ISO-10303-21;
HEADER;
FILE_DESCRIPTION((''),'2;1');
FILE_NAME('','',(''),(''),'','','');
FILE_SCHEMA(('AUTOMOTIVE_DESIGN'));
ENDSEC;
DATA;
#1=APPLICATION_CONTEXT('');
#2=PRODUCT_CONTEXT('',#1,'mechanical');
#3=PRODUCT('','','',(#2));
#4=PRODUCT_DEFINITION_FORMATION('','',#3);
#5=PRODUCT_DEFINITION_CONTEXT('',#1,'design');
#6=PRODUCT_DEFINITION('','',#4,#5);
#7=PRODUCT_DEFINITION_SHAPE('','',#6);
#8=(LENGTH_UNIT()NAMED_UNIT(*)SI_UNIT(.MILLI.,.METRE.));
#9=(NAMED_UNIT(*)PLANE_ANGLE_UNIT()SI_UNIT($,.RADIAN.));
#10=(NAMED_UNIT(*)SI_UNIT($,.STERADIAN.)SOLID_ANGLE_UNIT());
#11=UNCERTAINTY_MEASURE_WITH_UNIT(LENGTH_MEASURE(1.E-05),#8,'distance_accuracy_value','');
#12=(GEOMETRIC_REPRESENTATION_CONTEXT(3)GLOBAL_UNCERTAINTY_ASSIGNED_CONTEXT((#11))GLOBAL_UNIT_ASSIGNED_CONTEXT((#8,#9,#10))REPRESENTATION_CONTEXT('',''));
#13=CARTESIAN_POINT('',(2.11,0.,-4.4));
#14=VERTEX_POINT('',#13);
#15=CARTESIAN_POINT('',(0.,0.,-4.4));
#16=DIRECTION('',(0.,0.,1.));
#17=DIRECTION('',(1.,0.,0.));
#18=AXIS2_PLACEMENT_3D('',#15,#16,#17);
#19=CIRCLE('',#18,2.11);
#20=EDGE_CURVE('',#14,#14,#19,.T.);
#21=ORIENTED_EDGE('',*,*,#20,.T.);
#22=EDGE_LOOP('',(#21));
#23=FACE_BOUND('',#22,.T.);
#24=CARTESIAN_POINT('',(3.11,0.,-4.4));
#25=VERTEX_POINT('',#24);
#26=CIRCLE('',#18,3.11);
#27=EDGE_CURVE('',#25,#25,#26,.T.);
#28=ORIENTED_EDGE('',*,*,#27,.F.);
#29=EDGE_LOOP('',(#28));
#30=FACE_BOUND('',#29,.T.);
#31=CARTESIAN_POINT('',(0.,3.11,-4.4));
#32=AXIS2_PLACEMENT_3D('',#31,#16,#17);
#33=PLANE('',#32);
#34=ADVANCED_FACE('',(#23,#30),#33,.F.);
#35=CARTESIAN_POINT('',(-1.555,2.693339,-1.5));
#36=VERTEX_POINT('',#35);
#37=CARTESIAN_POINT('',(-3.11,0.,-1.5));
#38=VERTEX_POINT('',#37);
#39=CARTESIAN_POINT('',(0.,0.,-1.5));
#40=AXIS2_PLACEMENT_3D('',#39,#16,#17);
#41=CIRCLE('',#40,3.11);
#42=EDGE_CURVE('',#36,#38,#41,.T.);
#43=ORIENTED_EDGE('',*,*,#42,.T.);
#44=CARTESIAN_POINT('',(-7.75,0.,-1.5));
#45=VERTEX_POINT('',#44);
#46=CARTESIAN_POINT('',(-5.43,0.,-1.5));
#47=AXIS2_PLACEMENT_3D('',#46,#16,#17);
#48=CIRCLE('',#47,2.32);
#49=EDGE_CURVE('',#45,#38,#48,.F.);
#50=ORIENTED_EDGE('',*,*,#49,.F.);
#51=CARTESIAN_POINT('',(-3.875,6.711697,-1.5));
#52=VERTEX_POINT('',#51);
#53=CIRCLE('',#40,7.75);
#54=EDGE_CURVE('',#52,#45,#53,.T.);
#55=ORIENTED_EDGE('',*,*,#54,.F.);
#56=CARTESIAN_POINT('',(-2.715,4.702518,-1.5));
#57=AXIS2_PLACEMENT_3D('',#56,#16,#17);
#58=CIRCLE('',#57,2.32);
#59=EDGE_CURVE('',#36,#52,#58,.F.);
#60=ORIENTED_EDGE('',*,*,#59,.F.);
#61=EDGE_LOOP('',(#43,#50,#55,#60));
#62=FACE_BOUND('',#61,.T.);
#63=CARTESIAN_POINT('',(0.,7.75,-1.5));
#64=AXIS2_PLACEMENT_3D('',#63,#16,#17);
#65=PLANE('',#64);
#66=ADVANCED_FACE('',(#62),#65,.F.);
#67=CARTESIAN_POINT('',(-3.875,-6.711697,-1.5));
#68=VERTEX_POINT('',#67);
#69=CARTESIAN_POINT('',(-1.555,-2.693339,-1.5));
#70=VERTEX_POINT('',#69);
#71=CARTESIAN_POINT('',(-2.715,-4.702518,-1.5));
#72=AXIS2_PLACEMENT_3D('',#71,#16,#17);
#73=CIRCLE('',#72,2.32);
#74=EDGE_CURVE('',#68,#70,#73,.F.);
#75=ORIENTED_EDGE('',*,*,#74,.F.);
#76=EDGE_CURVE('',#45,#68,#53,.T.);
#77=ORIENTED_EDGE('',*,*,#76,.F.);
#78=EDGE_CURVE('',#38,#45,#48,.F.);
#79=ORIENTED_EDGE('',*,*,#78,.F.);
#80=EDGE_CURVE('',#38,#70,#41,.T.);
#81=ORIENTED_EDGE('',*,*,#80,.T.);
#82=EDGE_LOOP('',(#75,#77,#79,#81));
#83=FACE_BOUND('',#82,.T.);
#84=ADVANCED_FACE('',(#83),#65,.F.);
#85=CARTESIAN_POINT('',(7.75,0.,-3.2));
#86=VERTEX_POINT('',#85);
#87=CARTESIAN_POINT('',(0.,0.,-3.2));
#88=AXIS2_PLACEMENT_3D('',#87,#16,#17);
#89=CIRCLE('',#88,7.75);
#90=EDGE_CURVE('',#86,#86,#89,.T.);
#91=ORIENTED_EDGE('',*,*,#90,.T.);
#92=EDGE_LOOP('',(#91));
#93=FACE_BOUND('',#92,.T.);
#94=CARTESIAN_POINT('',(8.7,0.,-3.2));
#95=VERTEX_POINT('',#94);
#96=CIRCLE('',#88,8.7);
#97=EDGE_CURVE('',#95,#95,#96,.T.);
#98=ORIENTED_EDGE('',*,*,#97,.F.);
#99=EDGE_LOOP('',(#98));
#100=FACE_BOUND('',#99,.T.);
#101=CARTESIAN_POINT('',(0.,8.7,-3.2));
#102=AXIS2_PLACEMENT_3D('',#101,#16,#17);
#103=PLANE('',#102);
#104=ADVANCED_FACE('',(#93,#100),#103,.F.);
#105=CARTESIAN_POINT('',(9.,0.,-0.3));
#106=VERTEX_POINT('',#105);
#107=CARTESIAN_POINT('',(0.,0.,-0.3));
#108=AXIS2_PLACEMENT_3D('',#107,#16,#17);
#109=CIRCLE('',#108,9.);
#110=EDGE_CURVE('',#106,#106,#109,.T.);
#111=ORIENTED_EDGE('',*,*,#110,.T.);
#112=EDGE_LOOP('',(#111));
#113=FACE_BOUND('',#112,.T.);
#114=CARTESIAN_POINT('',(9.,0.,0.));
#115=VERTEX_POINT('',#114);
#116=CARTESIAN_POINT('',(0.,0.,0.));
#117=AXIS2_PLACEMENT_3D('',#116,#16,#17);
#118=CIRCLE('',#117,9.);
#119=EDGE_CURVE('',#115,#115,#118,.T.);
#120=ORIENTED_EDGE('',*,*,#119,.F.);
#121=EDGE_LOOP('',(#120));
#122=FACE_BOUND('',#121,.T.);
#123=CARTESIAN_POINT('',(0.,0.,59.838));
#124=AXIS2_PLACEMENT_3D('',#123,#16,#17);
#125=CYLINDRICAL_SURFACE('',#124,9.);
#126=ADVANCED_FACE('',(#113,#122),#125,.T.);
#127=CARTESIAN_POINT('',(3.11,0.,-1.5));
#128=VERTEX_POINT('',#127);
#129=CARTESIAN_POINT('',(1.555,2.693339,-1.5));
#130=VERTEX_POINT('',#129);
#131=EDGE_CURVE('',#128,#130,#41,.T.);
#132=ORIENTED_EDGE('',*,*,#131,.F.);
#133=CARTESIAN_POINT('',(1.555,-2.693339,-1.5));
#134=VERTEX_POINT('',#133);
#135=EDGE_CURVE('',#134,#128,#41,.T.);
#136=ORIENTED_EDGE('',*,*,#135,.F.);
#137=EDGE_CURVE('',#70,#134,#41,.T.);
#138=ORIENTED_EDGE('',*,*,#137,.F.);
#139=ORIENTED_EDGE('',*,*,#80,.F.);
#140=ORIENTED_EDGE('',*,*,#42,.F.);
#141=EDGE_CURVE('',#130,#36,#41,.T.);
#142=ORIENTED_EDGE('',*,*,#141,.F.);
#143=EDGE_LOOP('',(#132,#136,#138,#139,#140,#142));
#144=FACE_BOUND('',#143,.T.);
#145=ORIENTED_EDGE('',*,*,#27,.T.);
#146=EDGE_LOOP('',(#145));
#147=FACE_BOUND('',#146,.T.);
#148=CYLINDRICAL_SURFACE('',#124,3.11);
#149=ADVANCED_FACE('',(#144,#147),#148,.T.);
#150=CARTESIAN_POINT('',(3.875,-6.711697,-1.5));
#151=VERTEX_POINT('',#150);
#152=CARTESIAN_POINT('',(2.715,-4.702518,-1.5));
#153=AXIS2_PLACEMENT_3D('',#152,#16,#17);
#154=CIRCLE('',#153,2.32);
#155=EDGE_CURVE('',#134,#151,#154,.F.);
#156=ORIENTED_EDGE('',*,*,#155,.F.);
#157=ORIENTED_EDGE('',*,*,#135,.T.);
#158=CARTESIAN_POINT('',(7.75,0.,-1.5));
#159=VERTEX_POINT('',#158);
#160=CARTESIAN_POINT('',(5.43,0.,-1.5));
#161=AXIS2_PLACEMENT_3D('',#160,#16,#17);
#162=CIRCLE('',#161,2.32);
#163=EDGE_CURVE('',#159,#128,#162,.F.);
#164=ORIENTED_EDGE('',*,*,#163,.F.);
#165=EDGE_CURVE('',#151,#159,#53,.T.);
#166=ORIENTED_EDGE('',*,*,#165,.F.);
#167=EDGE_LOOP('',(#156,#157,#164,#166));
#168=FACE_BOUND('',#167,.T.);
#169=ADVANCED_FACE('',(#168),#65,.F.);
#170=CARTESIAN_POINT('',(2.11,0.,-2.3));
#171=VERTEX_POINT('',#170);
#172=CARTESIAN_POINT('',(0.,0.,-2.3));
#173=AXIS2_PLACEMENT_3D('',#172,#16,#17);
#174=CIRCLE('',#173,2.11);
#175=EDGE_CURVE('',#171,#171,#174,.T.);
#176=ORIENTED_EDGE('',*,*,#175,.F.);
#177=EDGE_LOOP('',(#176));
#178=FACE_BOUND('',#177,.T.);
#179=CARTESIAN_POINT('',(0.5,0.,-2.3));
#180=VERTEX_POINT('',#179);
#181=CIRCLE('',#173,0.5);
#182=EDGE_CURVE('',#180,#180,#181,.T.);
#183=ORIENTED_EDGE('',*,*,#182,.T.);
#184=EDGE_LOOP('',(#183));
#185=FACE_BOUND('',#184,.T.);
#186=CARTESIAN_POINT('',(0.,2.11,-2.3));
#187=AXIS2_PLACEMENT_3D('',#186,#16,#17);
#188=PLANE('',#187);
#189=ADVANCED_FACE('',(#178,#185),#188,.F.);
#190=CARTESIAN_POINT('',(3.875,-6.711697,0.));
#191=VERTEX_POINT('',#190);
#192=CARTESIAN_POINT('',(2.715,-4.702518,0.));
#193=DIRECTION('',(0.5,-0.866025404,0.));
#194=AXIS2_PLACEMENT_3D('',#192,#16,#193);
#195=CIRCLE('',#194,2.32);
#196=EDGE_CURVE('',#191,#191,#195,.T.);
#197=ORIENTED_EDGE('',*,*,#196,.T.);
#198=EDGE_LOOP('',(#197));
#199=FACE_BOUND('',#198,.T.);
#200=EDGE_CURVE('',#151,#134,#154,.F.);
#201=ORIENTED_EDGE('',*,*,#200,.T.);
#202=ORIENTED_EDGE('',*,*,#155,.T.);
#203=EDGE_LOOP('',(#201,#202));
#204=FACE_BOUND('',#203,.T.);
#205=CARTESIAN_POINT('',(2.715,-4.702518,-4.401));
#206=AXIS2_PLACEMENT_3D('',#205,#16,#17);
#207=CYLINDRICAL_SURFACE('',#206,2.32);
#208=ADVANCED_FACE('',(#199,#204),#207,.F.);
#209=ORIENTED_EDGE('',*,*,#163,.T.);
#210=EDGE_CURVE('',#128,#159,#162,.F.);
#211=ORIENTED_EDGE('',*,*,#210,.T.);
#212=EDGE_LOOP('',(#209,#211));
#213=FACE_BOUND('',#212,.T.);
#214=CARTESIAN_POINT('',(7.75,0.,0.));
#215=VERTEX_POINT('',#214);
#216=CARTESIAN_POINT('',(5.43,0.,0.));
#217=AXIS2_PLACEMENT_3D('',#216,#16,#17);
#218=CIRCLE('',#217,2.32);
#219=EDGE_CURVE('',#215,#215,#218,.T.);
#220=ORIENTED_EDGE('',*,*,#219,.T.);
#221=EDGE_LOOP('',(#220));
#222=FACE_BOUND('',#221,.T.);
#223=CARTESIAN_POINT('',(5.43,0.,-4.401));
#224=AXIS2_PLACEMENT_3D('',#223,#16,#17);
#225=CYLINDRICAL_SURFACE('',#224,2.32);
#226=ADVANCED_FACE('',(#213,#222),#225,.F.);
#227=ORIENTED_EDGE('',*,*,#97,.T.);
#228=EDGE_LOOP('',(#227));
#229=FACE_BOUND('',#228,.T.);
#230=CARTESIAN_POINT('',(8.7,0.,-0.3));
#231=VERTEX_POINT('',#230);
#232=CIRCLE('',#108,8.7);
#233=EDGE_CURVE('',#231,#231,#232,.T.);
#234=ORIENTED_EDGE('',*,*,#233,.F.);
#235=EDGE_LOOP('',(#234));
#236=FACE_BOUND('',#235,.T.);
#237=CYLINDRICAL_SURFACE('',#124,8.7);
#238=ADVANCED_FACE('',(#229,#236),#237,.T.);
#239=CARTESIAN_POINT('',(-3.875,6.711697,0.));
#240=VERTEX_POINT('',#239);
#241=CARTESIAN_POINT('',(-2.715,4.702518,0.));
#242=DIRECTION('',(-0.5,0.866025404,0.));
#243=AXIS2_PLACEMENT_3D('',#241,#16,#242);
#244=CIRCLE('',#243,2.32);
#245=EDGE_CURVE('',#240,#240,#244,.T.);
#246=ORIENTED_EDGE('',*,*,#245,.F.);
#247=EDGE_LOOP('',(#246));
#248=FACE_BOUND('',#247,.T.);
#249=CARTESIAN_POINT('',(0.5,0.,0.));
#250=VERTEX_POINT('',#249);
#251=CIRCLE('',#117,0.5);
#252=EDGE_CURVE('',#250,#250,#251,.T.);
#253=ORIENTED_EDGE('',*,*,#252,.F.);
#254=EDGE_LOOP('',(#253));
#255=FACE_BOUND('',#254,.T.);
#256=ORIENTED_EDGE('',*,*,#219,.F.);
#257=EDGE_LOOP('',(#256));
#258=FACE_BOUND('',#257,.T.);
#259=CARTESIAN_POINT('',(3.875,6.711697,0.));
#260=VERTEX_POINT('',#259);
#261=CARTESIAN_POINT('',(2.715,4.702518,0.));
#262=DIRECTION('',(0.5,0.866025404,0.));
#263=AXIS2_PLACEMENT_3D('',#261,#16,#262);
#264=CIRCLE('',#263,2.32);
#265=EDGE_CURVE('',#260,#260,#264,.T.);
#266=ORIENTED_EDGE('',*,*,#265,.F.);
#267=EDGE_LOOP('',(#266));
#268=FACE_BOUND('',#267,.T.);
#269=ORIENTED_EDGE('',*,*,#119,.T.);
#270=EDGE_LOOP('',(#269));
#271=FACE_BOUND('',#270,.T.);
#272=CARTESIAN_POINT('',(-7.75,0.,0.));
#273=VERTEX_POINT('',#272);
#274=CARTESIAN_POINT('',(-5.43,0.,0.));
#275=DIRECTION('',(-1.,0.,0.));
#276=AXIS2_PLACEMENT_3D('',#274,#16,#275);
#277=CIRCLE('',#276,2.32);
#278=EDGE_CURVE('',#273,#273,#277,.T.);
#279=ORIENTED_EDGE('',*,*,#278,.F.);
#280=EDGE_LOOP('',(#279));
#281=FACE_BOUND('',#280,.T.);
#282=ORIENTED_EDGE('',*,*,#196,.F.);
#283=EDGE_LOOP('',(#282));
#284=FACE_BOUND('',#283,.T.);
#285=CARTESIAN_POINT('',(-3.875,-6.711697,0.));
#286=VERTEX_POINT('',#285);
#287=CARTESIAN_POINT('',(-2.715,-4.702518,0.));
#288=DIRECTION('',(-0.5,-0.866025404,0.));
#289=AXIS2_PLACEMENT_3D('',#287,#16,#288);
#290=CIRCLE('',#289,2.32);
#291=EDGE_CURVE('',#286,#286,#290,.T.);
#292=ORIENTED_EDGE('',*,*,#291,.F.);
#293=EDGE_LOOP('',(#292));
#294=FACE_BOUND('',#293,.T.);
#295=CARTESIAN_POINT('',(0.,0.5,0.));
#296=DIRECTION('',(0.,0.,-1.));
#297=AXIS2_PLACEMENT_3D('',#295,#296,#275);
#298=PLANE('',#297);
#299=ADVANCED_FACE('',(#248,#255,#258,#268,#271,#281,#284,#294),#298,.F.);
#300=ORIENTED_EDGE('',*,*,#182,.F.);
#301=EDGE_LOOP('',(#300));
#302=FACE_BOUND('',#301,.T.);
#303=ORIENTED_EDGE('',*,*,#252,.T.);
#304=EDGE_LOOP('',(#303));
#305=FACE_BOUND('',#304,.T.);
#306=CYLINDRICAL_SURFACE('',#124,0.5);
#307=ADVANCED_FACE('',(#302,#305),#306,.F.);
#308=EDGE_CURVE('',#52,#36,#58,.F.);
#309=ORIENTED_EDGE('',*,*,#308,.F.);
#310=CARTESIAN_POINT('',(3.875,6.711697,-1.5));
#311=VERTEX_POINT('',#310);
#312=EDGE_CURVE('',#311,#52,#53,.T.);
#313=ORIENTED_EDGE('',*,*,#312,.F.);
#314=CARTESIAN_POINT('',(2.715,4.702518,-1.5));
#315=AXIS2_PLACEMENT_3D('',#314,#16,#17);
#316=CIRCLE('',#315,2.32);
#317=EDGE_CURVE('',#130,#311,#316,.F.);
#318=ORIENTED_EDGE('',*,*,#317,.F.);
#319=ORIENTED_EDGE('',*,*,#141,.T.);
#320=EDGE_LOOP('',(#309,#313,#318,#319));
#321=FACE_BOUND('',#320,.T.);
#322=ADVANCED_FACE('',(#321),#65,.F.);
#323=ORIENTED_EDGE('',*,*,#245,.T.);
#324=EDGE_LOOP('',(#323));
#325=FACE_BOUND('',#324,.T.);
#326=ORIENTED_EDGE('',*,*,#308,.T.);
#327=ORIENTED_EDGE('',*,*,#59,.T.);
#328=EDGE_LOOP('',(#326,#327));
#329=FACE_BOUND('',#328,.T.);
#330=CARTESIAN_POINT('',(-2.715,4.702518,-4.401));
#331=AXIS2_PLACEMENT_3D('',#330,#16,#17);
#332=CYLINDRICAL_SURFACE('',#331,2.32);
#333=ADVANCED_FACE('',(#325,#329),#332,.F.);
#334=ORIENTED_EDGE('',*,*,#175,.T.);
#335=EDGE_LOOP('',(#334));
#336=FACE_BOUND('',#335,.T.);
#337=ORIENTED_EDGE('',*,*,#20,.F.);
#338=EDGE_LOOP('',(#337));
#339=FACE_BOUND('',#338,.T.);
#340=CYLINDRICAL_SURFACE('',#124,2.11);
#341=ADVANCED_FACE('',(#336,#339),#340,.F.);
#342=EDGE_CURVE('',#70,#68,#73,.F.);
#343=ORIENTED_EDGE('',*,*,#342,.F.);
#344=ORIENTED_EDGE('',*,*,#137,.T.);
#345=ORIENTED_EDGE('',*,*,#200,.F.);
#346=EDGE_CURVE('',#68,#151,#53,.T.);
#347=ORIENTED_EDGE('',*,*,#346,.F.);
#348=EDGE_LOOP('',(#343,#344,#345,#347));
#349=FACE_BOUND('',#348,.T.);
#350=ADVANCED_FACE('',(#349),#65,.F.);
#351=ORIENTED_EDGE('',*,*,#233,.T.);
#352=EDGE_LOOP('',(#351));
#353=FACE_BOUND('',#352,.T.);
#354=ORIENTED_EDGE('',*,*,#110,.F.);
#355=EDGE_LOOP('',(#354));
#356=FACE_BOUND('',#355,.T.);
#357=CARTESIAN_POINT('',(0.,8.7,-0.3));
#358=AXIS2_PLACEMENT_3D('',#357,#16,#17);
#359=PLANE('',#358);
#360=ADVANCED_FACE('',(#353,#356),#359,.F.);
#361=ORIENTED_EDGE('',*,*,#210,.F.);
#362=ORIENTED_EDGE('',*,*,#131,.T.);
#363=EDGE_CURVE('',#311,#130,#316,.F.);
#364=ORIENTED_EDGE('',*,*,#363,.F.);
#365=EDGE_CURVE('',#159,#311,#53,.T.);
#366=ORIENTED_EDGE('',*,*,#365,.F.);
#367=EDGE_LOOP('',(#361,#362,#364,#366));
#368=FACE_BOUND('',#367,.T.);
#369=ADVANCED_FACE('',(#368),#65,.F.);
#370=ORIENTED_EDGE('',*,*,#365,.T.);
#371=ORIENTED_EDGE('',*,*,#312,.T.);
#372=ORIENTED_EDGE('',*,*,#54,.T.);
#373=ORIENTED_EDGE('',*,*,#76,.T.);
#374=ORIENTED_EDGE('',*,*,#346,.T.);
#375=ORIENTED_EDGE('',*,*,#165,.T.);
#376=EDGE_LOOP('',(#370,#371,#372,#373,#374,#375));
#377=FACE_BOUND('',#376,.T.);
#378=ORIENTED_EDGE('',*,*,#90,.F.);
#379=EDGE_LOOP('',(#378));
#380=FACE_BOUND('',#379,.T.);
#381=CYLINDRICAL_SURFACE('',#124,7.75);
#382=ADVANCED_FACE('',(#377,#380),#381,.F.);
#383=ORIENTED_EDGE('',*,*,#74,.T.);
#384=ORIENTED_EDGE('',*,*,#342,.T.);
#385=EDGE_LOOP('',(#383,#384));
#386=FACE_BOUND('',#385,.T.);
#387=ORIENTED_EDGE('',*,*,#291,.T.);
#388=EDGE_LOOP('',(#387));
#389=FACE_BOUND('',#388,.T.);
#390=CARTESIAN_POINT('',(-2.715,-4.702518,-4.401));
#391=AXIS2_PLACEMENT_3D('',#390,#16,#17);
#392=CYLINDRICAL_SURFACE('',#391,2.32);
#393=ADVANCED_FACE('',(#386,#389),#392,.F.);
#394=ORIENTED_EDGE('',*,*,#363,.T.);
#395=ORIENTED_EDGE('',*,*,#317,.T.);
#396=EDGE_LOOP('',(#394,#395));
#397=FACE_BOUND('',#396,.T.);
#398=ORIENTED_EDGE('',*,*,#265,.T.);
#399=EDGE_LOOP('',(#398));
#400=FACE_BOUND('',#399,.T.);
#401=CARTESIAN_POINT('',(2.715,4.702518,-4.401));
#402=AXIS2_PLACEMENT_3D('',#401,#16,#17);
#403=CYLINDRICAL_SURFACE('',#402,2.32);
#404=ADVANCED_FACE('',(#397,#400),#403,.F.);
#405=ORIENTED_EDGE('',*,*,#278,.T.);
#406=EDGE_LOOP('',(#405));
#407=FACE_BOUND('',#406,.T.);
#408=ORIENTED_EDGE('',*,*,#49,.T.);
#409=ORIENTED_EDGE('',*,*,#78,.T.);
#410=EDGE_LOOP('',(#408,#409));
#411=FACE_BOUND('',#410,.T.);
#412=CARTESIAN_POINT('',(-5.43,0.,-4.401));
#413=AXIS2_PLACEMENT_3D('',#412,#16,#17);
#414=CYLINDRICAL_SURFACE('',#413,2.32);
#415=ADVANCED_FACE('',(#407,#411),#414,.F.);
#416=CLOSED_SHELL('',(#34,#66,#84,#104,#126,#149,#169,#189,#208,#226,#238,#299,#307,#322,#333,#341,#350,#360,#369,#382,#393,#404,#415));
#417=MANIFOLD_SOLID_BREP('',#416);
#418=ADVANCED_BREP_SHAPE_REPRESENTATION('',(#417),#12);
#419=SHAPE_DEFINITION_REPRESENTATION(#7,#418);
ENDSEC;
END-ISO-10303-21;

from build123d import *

# Parameters (mm, degrees)
CUT_EXTRUDE1_REACH = 15.467
SKETCH2_R          = 2.32
CIRPATTERN1_COUNT  = 6


with BuildPart() as part:
    # Sketch1 → Revolve1 (revolve)
    with BuildSketch(Plane(origin=(0, 0, 0), x_dir=(0, 0, -1), z_dir=(1, 0, 0)), mode=Mode.PRIVATE) as revolve1_sk:
        Polygon((1.5, 3.11), (4.4, 3.11), (4.4, 2.11), (2.3, 2.11), (2.3, 0.5), (0, 0.5), (0, 9), (0.3, 9), (0.3, 8.7), (3.2, 8.7), (3.2, 7.75), (1.5, 7.75), align=None)
    revolve(revolve1_sk.sketch.rotate(Axis((0, 0, 59.838000458), (0, 0, -1)), 90), axis=Axis((0, 0, 59.838000458), (0, 0, -1)))

    # Sketch2 → Cut-Extrude1 (cut, up to next)
    with BuildSketch(Plane.XY, mode=Mode.PRIVATE) as cut_extrude1_sk1:
        with Locations((5.43, 0)):
            Circle(SKETCH2_R)
    cut_extrude1_tool1 = extrude(cut_extrude1_sk1.sketch, amount=-CUT_EXTRUDE1_REACH, mode=Mode.PRIVATE) & part.part
    cut_extrude1 = cut_extrude1_tool1.solids().sort_by_distance((5.43, 0, 0))[0]
    add(cut_extrude1, mode=Mode.SUBTRACT)

    # CirPattern1: Cut-Extrude1 ×6 about axis
    cirpattern1_axis = Axis((0, 0, 0), (0, 0, 1))
    for i in range(1, CIRPATTERN1_COUNT):
        add(cut_extrude1.rotate(cirpattern1_axis, i * 360 / CIRPATTERN1_COUNT), mode=Mode.SUBTRACT)


solid = part.part
